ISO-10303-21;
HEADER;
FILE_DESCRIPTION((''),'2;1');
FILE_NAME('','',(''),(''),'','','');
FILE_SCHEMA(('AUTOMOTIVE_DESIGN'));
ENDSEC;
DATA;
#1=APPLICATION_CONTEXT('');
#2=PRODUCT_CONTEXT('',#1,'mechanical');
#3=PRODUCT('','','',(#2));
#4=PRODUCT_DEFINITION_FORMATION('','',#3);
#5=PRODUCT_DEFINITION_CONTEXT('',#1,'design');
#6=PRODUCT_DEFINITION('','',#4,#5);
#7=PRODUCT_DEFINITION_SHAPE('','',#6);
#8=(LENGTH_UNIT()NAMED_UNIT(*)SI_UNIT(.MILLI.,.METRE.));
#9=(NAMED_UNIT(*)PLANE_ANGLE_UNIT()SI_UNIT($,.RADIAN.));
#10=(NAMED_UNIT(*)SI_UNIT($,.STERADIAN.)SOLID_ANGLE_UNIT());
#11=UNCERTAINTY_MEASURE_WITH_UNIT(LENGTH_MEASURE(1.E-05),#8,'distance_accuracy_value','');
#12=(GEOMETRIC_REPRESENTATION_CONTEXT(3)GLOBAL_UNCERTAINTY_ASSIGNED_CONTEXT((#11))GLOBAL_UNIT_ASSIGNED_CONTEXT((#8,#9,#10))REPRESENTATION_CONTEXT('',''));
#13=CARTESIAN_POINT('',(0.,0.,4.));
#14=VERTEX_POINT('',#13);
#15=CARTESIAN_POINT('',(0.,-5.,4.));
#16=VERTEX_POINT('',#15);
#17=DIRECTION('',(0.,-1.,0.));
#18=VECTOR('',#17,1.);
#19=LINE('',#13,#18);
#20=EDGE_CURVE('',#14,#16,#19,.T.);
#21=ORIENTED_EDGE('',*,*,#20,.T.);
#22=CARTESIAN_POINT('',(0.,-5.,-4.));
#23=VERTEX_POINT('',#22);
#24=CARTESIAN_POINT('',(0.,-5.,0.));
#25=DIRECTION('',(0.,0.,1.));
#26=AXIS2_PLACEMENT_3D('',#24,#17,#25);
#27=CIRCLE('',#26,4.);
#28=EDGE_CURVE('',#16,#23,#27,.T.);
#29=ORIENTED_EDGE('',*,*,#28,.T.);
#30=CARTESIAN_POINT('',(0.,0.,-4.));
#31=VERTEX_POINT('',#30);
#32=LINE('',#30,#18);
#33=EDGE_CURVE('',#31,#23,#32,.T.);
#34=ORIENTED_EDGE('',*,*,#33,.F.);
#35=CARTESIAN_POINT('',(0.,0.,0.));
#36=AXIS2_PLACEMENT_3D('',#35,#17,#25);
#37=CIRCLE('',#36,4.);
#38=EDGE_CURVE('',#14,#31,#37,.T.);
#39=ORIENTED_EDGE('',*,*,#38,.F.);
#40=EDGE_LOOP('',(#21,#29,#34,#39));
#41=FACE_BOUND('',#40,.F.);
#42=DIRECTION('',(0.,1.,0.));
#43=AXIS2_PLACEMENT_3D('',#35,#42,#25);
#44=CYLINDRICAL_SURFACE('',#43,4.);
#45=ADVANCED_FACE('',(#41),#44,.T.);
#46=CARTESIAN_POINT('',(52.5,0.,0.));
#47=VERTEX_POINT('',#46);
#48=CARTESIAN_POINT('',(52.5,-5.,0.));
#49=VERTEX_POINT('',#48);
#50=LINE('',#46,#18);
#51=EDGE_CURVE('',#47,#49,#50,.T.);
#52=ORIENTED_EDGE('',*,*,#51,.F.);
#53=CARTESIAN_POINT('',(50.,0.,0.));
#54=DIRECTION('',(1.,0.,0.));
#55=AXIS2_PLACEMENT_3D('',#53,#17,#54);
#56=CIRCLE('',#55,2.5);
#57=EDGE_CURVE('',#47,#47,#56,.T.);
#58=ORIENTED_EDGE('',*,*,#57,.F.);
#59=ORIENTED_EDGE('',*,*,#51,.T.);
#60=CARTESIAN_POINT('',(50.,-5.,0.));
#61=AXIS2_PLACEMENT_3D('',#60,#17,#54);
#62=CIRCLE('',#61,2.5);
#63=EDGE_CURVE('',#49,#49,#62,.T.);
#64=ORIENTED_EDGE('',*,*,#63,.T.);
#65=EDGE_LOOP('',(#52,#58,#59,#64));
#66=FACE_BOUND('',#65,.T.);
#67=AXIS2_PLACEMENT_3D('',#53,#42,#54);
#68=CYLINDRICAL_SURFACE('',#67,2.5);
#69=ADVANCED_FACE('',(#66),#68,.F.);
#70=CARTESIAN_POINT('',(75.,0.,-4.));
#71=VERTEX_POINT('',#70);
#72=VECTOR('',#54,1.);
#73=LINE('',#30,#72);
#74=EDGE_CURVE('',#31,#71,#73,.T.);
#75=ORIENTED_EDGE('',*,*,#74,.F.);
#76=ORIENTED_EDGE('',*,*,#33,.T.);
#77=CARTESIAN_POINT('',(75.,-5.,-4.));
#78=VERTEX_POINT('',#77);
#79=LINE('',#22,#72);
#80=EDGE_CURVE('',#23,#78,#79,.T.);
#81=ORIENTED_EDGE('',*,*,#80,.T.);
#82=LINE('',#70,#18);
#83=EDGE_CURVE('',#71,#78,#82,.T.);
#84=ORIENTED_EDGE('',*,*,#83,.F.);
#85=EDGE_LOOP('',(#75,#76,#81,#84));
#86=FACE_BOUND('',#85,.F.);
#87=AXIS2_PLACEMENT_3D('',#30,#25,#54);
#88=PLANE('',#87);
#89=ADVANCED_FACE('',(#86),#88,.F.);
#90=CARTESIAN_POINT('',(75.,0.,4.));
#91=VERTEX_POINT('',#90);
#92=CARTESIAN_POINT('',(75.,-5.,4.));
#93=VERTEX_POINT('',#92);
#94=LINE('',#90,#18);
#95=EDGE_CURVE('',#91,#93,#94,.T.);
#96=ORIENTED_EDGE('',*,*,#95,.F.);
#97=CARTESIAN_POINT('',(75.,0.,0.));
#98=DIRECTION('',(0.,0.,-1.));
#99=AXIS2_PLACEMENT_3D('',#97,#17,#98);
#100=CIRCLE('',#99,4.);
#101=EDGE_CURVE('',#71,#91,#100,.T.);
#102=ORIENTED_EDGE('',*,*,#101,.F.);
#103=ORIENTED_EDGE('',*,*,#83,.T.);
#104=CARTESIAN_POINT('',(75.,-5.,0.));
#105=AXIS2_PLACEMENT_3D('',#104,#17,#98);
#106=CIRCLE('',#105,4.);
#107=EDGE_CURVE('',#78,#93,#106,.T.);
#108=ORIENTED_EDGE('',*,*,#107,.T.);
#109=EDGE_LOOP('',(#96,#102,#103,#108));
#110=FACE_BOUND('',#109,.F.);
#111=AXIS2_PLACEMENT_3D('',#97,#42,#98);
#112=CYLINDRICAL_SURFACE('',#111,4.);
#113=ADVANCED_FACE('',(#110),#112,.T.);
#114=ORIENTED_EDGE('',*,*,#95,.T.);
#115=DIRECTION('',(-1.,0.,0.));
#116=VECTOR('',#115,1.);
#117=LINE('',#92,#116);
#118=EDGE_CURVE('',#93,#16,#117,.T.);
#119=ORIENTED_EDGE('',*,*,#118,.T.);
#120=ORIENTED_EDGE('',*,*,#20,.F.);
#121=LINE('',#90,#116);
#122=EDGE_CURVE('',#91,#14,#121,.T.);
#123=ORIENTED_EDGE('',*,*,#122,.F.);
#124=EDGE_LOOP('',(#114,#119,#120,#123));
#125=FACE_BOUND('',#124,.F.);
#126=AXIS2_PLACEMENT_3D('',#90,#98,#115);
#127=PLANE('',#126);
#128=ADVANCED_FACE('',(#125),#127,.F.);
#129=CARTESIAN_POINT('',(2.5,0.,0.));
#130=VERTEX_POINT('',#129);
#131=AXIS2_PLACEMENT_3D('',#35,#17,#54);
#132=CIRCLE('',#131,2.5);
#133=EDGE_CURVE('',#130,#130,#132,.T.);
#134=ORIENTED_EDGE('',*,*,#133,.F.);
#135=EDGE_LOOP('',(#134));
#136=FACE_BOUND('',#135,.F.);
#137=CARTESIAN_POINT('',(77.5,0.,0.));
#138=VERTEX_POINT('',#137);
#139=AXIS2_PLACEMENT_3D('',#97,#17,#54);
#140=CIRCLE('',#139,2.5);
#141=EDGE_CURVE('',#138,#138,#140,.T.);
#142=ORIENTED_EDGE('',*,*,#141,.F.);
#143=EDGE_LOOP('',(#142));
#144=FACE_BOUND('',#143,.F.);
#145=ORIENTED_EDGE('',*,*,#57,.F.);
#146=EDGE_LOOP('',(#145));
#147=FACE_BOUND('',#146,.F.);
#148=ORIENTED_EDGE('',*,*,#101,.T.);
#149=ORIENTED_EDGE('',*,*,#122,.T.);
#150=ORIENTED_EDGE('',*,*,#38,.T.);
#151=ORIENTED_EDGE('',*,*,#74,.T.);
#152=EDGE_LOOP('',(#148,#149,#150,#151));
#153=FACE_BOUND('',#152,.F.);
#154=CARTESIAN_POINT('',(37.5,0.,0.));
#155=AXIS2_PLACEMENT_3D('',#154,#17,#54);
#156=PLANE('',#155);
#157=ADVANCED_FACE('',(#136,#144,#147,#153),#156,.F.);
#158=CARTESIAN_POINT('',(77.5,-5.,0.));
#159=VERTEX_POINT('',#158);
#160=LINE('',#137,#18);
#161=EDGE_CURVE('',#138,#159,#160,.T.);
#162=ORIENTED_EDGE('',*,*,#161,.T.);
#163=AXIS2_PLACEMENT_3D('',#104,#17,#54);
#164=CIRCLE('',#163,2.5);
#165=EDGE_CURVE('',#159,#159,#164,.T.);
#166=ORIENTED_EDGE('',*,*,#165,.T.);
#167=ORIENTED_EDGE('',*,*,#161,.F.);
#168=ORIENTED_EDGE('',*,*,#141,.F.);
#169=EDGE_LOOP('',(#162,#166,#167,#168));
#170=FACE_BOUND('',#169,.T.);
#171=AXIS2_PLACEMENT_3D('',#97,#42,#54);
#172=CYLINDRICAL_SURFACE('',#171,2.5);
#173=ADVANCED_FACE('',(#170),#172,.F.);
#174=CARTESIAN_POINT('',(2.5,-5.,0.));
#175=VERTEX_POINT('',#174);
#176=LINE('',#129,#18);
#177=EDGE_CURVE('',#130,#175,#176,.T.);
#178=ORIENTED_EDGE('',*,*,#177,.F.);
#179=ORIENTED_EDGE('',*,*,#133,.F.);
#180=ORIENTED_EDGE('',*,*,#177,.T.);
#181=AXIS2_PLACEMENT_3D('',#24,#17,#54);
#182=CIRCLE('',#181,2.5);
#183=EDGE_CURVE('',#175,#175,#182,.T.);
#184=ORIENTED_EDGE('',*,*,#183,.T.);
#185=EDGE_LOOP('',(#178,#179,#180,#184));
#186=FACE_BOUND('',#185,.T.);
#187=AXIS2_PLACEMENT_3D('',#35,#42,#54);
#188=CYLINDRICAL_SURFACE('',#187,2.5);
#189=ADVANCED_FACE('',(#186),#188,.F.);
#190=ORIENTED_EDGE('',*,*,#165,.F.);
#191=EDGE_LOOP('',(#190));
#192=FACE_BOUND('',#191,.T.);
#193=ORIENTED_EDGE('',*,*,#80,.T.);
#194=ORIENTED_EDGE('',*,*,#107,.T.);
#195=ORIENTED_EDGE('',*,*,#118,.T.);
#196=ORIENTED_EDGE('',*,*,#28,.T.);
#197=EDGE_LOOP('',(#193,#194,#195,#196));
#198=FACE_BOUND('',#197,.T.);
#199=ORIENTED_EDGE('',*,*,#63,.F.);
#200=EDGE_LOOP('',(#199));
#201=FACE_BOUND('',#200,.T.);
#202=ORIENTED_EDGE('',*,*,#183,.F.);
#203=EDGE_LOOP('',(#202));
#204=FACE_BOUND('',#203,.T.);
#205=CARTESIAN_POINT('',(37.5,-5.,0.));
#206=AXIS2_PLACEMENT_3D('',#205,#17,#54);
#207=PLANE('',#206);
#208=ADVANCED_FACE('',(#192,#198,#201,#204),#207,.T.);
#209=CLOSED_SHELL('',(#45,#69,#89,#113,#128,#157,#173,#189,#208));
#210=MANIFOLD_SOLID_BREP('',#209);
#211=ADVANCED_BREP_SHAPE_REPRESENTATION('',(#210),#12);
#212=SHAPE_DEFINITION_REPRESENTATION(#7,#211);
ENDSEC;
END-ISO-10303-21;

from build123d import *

# Parameters (mm, degrees)
F0_R     = 2.5
F1_DEPTH = 5


with BuildPart() as f1:
    # F0 (on Front) → F1 (new body)
    with BuildSketch(Plane.XZ):
        with BuildLine():
            Line((75, 4), (0, 4))
            ThreePointArc((0, 4), (-4, 0), (0, -4))
            Line((0, -4), (75, -4))
            ThreePointArc((75, -4), (79, 0), (75, 4))
        make_face()
        Circle(F0_R, mode=Mode.SUBTRACT)
        with Locations((50, 0)):
            Circle(F0_R, mode=Mode.SUBTRACT)
        with Locations((75, 0)):
            Circle(F0_R, mode=Mode.SUBTRACT)
    extrude(amount=F1_DEPTH)


solid = f1.part
